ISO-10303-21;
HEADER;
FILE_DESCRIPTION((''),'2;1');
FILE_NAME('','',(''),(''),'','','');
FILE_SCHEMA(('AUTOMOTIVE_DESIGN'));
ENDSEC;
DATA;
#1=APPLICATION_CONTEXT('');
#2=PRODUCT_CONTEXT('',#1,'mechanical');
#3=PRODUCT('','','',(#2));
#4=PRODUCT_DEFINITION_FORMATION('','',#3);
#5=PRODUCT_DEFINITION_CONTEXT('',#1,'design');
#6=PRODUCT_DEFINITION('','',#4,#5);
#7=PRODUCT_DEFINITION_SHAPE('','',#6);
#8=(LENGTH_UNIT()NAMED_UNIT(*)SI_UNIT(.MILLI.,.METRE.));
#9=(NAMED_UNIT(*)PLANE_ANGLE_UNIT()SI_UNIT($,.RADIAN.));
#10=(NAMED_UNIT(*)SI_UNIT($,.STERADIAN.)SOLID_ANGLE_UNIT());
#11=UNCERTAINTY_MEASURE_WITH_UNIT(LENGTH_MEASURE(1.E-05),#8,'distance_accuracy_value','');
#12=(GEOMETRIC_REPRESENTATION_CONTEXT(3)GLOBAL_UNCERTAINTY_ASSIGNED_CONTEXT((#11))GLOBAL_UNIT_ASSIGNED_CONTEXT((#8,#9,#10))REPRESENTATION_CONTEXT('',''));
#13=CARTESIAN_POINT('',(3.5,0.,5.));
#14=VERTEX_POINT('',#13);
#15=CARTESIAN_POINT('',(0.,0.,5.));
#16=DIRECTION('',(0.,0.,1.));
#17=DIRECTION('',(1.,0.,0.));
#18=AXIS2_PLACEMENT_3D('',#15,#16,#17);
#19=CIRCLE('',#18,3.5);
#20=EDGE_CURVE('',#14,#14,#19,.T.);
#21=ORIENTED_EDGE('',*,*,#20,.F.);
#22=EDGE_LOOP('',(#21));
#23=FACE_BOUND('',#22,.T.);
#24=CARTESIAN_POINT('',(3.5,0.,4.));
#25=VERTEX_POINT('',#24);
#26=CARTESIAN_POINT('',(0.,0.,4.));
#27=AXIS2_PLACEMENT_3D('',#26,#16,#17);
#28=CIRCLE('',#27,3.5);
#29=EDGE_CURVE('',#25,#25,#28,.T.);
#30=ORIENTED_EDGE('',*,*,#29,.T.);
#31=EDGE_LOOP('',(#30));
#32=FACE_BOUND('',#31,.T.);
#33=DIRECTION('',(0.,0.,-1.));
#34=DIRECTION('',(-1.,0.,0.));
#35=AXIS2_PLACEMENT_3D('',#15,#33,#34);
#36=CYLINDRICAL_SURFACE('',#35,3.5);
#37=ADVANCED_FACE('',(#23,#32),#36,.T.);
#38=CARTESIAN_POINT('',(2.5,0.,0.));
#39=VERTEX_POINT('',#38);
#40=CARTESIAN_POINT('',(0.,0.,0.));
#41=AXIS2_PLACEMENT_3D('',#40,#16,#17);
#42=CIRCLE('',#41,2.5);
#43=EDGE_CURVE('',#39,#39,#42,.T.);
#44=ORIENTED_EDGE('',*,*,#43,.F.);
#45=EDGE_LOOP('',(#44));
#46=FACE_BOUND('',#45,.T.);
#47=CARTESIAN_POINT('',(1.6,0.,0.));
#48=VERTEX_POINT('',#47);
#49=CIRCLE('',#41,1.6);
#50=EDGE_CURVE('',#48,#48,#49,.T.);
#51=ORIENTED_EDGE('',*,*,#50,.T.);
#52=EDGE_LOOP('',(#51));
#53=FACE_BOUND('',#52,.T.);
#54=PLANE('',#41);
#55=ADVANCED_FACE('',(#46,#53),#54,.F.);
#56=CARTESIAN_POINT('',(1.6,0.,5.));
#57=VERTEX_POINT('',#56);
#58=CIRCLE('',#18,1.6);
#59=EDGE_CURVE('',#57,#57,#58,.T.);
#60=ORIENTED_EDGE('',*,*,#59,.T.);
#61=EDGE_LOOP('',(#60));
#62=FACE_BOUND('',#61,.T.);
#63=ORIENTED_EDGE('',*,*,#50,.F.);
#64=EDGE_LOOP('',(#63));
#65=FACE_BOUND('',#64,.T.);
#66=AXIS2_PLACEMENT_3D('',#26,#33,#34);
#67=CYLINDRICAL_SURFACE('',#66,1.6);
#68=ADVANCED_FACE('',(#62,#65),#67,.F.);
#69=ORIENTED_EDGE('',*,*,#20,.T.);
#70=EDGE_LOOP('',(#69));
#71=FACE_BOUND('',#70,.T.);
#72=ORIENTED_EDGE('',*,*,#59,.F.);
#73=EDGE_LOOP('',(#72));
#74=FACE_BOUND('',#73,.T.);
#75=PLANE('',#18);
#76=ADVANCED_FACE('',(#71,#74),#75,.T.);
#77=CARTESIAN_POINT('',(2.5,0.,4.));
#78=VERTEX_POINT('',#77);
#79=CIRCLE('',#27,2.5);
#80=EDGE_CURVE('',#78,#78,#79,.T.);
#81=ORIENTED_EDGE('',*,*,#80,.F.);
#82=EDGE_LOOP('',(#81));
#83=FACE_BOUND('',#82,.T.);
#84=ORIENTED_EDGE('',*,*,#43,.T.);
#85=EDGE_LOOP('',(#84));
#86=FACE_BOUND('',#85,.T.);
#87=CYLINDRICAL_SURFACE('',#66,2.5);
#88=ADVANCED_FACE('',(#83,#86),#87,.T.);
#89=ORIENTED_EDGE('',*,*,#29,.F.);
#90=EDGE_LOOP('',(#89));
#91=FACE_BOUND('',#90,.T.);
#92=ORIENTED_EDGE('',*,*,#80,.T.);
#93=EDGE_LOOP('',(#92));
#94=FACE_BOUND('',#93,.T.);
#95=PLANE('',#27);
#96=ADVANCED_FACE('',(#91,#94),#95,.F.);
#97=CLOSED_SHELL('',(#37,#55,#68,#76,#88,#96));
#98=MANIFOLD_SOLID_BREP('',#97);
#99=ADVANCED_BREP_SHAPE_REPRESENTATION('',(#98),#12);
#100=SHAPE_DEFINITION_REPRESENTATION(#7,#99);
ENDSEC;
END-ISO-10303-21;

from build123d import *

# Parameters (mm, degrees)
SKETCH_1_R      = 2.5
SKETCH_1_R_2    = 1.6
EXTRUDE_1_DEPTH = 4
SKETCH_2_R      = 3.5
SKETCH_2_R_2    = 1.6
EXTRUDE_2_DEPTH = 1


with BuildPart() as part:
    # 草图1 → 凸台-拉伸1 (new body)
    with BuildSketch(Plane.XY):
        Circle(SKETCH_1_R)
        Circle(SKETCH_1_R_2, mode=Mode.SUBTRACT)
    extrude(amount=EXTRUDE_1_DEPTH)

    # 草图2 → 凸台-拉伸2 (add)
    with BuildSketch(Plane.XY.offset(4)):
        Circle(SKETCH_2_R)
        Circle(SKETCH_2_R_2, mode=Mode.SUBTRACT)
    extrude(amount=EXTRUDE_2_DEPTH)


solid = part.part
